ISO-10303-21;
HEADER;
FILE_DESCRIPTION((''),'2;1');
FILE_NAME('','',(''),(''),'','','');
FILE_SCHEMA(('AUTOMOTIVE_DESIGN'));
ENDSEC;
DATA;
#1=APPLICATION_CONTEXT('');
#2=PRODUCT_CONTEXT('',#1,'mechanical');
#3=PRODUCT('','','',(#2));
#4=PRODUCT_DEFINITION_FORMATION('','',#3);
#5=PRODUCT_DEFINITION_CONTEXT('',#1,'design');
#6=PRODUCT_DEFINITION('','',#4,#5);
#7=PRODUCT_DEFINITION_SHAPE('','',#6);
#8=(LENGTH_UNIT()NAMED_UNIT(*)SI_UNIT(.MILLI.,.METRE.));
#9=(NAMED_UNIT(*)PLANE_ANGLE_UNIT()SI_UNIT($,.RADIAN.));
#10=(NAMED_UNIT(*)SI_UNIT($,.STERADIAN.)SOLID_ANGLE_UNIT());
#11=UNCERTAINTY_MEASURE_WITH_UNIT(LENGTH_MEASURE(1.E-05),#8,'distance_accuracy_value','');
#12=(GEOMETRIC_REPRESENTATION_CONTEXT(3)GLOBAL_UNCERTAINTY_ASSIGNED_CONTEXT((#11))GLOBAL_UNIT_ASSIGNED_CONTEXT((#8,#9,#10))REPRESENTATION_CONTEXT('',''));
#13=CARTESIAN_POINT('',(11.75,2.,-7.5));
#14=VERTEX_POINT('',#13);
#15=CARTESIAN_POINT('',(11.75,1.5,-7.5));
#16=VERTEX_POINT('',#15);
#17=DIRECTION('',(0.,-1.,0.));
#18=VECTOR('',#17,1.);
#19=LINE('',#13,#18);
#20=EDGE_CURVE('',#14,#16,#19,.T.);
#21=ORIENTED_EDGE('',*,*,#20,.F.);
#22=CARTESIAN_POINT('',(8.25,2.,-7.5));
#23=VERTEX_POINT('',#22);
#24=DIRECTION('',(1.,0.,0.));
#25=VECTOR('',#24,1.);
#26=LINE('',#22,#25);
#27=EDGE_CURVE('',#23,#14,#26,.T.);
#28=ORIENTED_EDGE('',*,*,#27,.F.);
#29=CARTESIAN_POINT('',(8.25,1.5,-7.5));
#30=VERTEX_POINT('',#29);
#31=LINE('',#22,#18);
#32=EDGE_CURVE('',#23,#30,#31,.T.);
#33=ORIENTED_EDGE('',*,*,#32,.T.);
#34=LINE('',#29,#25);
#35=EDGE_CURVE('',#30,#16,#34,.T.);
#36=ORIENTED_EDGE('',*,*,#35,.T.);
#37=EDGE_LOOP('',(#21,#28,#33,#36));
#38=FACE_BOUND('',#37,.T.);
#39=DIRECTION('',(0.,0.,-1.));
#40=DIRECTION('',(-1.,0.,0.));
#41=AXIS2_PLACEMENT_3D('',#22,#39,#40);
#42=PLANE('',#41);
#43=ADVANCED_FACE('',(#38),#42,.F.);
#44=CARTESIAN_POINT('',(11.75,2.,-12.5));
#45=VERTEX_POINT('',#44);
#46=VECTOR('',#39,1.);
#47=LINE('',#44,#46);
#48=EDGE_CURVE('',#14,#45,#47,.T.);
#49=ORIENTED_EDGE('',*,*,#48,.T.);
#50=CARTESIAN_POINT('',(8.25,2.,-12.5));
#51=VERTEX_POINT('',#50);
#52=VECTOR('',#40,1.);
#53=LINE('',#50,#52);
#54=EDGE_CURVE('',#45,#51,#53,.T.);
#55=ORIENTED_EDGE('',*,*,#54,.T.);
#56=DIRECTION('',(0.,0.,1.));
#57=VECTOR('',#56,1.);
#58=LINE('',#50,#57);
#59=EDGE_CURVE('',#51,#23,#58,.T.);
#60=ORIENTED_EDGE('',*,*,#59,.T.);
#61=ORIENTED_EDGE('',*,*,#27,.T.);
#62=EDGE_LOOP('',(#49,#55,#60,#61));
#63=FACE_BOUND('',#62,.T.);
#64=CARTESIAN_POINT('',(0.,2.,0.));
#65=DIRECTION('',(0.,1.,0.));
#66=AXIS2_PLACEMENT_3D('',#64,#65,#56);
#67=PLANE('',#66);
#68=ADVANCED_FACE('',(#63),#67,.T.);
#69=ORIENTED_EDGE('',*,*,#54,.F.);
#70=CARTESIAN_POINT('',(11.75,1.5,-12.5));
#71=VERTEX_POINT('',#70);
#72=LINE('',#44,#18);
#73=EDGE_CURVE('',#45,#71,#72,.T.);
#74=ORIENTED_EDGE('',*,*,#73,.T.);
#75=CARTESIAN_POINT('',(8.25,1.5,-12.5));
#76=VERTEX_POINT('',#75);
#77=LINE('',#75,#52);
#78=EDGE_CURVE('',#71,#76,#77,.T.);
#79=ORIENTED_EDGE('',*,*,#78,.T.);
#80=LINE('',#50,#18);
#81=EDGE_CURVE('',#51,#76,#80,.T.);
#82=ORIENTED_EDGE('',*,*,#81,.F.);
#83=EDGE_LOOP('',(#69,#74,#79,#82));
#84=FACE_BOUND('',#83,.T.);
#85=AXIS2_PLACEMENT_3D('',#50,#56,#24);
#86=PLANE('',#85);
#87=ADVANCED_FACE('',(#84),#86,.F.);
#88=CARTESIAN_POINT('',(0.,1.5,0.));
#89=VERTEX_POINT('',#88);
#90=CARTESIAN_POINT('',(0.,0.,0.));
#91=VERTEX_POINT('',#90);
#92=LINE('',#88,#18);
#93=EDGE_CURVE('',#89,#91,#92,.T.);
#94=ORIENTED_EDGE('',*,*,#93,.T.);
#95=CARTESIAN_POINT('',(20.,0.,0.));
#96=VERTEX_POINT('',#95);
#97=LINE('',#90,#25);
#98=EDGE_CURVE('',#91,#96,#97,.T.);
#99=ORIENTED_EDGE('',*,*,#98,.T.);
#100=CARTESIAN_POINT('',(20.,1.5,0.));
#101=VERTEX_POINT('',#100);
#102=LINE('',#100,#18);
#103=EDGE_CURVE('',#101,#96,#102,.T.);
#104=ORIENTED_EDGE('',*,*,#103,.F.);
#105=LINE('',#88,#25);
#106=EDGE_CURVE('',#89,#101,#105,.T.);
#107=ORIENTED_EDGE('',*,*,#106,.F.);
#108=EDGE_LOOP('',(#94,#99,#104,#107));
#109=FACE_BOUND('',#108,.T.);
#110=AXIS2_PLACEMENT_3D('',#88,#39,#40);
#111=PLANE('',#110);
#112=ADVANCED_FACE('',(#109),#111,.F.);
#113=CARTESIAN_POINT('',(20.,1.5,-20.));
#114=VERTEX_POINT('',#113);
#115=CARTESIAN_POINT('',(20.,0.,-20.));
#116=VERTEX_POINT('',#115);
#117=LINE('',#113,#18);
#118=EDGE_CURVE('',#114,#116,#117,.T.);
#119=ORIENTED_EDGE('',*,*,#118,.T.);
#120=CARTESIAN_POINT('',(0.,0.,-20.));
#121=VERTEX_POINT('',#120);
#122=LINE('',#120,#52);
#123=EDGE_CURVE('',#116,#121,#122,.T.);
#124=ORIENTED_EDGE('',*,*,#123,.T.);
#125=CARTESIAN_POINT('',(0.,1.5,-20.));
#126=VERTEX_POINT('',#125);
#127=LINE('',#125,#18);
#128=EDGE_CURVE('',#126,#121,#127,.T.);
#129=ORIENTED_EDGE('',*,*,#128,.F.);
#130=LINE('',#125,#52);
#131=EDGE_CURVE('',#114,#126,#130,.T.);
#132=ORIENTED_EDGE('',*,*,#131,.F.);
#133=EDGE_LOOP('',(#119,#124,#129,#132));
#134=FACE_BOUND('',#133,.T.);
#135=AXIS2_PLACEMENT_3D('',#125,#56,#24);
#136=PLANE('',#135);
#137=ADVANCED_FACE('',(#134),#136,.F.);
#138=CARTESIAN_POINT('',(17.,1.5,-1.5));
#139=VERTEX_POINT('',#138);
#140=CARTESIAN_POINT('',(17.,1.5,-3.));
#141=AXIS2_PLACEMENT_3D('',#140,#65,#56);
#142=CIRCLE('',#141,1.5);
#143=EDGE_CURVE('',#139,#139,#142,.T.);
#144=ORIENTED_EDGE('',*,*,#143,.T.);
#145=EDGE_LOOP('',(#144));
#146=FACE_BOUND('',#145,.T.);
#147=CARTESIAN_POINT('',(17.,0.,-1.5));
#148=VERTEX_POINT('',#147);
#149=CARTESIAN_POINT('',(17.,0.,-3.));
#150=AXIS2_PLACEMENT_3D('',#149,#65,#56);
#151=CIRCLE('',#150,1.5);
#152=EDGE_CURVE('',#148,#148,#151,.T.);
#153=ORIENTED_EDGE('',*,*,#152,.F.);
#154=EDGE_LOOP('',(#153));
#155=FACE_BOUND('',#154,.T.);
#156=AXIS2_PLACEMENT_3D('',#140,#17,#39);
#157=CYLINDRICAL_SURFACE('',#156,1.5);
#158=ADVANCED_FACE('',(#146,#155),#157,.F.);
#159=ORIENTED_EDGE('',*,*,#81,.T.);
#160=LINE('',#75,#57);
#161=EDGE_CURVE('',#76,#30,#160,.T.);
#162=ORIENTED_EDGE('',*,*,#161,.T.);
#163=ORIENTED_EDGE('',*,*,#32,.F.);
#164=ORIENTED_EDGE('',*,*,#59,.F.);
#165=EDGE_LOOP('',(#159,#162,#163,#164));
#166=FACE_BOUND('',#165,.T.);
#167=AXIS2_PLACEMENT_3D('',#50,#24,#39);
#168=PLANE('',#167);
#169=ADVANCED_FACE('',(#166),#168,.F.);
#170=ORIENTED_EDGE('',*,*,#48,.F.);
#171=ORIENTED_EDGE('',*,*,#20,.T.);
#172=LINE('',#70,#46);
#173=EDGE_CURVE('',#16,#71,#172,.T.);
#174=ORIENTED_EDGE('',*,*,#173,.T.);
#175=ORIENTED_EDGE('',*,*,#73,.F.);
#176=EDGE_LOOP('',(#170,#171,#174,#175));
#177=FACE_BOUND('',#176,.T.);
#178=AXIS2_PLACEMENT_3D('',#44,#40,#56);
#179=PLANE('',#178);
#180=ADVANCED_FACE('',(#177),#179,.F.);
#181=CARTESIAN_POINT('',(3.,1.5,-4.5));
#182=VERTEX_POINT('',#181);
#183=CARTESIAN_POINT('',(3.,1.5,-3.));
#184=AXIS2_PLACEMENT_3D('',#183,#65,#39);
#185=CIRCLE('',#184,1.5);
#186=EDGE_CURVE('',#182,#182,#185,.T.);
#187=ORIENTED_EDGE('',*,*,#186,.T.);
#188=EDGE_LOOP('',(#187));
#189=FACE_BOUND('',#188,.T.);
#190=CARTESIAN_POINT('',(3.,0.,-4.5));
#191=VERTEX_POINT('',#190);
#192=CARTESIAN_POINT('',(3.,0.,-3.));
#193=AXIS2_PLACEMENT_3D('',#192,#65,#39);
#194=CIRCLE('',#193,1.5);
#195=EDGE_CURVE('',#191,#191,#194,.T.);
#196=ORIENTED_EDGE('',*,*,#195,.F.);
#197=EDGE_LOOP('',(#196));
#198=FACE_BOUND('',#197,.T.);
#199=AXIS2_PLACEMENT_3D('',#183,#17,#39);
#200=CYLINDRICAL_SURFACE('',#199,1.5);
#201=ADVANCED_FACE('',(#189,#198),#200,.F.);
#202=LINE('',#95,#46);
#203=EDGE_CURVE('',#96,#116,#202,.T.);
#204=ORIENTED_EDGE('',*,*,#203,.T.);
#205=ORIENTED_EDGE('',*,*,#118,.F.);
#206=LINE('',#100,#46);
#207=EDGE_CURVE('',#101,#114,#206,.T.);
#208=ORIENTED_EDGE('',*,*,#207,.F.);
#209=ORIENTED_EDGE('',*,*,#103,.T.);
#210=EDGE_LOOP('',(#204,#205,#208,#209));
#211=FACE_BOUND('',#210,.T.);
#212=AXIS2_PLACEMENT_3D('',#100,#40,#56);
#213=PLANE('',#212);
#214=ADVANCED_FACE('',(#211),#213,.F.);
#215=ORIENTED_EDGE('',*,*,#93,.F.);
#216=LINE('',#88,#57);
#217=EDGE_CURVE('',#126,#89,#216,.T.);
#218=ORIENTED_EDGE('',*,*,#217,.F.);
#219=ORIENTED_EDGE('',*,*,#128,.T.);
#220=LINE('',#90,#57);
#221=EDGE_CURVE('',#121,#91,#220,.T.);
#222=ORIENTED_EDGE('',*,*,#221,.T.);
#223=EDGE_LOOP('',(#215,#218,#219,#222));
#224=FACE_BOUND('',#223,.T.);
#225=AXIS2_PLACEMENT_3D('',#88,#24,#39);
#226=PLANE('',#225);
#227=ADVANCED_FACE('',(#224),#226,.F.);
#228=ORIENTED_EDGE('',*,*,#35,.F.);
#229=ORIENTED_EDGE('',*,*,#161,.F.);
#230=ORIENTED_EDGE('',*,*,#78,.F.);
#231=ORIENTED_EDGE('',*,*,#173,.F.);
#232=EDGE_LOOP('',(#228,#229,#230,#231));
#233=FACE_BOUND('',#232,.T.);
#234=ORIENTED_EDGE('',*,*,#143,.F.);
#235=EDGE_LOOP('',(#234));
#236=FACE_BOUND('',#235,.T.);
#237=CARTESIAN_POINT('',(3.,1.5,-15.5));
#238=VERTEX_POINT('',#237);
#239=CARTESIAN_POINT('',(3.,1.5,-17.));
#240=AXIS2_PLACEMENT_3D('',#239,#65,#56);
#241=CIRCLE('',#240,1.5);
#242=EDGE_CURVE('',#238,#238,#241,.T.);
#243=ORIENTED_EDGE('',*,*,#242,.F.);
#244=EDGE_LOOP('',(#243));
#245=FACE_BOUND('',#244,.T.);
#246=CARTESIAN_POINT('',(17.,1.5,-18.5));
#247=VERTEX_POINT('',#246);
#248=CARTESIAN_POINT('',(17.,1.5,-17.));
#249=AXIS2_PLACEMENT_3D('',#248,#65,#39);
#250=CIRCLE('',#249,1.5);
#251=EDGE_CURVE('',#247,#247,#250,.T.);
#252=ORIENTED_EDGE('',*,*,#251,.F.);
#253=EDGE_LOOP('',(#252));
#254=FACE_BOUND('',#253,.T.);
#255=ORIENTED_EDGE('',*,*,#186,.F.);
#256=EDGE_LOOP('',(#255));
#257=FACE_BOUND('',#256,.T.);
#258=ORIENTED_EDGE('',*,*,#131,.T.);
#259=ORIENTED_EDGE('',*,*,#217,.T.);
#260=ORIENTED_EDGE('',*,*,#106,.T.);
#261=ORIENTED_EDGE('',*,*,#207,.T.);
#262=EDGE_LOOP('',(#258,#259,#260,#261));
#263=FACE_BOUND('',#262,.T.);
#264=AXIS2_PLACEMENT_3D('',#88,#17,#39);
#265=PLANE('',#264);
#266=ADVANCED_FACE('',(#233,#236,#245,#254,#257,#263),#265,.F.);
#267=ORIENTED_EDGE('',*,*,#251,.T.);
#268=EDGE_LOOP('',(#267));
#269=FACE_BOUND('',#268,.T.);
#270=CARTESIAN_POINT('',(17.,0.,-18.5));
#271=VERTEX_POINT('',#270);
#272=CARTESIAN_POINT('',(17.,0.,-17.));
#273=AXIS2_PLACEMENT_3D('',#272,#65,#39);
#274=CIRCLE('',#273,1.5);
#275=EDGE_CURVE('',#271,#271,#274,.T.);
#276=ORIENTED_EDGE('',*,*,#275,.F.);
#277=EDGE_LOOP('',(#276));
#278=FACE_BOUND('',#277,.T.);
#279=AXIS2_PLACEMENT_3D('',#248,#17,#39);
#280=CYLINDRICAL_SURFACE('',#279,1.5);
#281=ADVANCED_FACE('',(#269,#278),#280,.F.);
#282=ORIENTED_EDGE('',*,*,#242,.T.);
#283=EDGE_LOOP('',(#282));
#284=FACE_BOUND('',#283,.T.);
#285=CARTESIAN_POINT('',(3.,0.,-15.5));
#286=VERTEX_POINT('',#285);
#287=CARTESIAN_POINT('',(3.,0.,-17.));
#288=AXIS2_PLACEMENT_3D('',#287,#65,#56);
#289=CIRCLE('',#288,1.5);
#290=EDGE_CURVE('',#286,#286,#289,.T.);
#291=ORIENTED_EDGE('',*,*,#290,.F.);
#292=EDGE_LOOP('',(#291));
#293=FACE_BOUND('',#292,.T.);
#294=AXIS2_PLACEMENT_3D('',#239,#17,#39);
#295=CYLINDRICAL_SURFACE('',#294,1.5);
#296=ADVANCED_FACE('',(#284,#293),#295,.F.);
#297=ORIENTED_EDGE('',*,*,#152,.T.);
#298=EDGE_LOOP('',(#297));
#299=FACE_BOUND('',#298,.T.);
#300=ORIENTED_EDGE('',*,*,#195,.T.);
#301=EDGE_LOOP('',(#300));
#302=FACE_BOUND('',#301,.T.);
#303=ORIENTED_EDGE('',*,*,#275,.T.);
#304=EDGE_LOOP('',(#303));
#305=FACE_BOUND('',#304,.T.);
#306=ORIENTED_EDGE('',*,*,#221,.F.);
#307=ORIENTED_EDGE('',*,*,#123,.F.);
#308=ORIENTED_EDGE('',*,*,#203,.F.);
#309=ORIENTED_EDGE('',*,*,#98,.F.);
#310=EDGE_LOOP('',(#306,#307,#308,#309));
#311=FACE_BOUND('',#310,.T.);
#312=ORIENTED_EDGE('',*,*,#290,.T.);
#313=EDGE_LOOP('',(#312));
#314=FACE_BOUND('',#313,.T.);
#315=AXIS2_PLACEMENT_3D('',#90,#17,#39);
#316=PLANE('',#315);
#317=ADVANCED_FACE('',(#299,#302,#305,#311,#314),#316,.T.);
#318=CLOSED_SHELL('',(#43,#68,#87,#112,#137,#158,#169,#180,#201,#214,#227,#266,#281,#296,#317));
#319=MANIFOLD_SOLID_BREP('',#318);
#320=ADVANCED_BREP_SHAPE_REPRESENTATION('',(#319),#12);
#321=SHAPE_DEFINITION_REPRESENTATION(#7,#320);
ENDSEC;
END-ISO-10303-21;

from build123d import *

# Parameters (mm, degrees)
SKETCH_1_W      = 20
SKETCH_1_H      = 20
SKETCH_1_R      = 1.5
EXTRUDE_1_DEPTH = 1.5
SKETCH_2_W      = 3.5
SKETCH_2_H      = 5
EXTRUDE_2_DEPTH = 0.5


with BuildPart() as part:
    # 草图1 → 凸台-拉伸1 (new body)
    with BuildSketch(Plane(origin=(0, 0, 0), x_dir=(1, 0, 0), z_dir=(0, 1, 0))):
        with Locations((10, 10)):
            Rectangle(SKETCH_1_W, SKETCH_1_H)
        with Locations(Location((3, 17, 0), (0, 0, 270))):
            Circle(SKETCH_1_R, mode=Mode.SUBTRACT)
        with Locations(Location((17, 17, 0), (0, 0, 90))):
            Circle(SKETCH_1_R, mode=Mode.SUBTRACT)
        with Locations(Location((17, 3, 0), (0, 0, 270))):
            Circle(SKETCH_1_R, mode=Mode.SUBTRACT)
        with Locations(Location((3, 3, 0), (0, 0, 90))):
            Circle(SKETCH_1_R, mode=Mode.SUBTRACT)
    extrude(amount=EXTRUDE_1_DEPTH)

    # 草图2 → 凸台-拉伸2 (add)
    with BuildSketch(Plane(origin=(0, 1.5, 0), x_dir=(1, 0, 0), z_dir=(0, 1, 0))):
        with Locations((10, 10)):
            Rectangle(SKETCH_2_W, SKETCH_2_H)
    extrude(amount=EXTRUDE_2_DEPTH)


solid = part.part
